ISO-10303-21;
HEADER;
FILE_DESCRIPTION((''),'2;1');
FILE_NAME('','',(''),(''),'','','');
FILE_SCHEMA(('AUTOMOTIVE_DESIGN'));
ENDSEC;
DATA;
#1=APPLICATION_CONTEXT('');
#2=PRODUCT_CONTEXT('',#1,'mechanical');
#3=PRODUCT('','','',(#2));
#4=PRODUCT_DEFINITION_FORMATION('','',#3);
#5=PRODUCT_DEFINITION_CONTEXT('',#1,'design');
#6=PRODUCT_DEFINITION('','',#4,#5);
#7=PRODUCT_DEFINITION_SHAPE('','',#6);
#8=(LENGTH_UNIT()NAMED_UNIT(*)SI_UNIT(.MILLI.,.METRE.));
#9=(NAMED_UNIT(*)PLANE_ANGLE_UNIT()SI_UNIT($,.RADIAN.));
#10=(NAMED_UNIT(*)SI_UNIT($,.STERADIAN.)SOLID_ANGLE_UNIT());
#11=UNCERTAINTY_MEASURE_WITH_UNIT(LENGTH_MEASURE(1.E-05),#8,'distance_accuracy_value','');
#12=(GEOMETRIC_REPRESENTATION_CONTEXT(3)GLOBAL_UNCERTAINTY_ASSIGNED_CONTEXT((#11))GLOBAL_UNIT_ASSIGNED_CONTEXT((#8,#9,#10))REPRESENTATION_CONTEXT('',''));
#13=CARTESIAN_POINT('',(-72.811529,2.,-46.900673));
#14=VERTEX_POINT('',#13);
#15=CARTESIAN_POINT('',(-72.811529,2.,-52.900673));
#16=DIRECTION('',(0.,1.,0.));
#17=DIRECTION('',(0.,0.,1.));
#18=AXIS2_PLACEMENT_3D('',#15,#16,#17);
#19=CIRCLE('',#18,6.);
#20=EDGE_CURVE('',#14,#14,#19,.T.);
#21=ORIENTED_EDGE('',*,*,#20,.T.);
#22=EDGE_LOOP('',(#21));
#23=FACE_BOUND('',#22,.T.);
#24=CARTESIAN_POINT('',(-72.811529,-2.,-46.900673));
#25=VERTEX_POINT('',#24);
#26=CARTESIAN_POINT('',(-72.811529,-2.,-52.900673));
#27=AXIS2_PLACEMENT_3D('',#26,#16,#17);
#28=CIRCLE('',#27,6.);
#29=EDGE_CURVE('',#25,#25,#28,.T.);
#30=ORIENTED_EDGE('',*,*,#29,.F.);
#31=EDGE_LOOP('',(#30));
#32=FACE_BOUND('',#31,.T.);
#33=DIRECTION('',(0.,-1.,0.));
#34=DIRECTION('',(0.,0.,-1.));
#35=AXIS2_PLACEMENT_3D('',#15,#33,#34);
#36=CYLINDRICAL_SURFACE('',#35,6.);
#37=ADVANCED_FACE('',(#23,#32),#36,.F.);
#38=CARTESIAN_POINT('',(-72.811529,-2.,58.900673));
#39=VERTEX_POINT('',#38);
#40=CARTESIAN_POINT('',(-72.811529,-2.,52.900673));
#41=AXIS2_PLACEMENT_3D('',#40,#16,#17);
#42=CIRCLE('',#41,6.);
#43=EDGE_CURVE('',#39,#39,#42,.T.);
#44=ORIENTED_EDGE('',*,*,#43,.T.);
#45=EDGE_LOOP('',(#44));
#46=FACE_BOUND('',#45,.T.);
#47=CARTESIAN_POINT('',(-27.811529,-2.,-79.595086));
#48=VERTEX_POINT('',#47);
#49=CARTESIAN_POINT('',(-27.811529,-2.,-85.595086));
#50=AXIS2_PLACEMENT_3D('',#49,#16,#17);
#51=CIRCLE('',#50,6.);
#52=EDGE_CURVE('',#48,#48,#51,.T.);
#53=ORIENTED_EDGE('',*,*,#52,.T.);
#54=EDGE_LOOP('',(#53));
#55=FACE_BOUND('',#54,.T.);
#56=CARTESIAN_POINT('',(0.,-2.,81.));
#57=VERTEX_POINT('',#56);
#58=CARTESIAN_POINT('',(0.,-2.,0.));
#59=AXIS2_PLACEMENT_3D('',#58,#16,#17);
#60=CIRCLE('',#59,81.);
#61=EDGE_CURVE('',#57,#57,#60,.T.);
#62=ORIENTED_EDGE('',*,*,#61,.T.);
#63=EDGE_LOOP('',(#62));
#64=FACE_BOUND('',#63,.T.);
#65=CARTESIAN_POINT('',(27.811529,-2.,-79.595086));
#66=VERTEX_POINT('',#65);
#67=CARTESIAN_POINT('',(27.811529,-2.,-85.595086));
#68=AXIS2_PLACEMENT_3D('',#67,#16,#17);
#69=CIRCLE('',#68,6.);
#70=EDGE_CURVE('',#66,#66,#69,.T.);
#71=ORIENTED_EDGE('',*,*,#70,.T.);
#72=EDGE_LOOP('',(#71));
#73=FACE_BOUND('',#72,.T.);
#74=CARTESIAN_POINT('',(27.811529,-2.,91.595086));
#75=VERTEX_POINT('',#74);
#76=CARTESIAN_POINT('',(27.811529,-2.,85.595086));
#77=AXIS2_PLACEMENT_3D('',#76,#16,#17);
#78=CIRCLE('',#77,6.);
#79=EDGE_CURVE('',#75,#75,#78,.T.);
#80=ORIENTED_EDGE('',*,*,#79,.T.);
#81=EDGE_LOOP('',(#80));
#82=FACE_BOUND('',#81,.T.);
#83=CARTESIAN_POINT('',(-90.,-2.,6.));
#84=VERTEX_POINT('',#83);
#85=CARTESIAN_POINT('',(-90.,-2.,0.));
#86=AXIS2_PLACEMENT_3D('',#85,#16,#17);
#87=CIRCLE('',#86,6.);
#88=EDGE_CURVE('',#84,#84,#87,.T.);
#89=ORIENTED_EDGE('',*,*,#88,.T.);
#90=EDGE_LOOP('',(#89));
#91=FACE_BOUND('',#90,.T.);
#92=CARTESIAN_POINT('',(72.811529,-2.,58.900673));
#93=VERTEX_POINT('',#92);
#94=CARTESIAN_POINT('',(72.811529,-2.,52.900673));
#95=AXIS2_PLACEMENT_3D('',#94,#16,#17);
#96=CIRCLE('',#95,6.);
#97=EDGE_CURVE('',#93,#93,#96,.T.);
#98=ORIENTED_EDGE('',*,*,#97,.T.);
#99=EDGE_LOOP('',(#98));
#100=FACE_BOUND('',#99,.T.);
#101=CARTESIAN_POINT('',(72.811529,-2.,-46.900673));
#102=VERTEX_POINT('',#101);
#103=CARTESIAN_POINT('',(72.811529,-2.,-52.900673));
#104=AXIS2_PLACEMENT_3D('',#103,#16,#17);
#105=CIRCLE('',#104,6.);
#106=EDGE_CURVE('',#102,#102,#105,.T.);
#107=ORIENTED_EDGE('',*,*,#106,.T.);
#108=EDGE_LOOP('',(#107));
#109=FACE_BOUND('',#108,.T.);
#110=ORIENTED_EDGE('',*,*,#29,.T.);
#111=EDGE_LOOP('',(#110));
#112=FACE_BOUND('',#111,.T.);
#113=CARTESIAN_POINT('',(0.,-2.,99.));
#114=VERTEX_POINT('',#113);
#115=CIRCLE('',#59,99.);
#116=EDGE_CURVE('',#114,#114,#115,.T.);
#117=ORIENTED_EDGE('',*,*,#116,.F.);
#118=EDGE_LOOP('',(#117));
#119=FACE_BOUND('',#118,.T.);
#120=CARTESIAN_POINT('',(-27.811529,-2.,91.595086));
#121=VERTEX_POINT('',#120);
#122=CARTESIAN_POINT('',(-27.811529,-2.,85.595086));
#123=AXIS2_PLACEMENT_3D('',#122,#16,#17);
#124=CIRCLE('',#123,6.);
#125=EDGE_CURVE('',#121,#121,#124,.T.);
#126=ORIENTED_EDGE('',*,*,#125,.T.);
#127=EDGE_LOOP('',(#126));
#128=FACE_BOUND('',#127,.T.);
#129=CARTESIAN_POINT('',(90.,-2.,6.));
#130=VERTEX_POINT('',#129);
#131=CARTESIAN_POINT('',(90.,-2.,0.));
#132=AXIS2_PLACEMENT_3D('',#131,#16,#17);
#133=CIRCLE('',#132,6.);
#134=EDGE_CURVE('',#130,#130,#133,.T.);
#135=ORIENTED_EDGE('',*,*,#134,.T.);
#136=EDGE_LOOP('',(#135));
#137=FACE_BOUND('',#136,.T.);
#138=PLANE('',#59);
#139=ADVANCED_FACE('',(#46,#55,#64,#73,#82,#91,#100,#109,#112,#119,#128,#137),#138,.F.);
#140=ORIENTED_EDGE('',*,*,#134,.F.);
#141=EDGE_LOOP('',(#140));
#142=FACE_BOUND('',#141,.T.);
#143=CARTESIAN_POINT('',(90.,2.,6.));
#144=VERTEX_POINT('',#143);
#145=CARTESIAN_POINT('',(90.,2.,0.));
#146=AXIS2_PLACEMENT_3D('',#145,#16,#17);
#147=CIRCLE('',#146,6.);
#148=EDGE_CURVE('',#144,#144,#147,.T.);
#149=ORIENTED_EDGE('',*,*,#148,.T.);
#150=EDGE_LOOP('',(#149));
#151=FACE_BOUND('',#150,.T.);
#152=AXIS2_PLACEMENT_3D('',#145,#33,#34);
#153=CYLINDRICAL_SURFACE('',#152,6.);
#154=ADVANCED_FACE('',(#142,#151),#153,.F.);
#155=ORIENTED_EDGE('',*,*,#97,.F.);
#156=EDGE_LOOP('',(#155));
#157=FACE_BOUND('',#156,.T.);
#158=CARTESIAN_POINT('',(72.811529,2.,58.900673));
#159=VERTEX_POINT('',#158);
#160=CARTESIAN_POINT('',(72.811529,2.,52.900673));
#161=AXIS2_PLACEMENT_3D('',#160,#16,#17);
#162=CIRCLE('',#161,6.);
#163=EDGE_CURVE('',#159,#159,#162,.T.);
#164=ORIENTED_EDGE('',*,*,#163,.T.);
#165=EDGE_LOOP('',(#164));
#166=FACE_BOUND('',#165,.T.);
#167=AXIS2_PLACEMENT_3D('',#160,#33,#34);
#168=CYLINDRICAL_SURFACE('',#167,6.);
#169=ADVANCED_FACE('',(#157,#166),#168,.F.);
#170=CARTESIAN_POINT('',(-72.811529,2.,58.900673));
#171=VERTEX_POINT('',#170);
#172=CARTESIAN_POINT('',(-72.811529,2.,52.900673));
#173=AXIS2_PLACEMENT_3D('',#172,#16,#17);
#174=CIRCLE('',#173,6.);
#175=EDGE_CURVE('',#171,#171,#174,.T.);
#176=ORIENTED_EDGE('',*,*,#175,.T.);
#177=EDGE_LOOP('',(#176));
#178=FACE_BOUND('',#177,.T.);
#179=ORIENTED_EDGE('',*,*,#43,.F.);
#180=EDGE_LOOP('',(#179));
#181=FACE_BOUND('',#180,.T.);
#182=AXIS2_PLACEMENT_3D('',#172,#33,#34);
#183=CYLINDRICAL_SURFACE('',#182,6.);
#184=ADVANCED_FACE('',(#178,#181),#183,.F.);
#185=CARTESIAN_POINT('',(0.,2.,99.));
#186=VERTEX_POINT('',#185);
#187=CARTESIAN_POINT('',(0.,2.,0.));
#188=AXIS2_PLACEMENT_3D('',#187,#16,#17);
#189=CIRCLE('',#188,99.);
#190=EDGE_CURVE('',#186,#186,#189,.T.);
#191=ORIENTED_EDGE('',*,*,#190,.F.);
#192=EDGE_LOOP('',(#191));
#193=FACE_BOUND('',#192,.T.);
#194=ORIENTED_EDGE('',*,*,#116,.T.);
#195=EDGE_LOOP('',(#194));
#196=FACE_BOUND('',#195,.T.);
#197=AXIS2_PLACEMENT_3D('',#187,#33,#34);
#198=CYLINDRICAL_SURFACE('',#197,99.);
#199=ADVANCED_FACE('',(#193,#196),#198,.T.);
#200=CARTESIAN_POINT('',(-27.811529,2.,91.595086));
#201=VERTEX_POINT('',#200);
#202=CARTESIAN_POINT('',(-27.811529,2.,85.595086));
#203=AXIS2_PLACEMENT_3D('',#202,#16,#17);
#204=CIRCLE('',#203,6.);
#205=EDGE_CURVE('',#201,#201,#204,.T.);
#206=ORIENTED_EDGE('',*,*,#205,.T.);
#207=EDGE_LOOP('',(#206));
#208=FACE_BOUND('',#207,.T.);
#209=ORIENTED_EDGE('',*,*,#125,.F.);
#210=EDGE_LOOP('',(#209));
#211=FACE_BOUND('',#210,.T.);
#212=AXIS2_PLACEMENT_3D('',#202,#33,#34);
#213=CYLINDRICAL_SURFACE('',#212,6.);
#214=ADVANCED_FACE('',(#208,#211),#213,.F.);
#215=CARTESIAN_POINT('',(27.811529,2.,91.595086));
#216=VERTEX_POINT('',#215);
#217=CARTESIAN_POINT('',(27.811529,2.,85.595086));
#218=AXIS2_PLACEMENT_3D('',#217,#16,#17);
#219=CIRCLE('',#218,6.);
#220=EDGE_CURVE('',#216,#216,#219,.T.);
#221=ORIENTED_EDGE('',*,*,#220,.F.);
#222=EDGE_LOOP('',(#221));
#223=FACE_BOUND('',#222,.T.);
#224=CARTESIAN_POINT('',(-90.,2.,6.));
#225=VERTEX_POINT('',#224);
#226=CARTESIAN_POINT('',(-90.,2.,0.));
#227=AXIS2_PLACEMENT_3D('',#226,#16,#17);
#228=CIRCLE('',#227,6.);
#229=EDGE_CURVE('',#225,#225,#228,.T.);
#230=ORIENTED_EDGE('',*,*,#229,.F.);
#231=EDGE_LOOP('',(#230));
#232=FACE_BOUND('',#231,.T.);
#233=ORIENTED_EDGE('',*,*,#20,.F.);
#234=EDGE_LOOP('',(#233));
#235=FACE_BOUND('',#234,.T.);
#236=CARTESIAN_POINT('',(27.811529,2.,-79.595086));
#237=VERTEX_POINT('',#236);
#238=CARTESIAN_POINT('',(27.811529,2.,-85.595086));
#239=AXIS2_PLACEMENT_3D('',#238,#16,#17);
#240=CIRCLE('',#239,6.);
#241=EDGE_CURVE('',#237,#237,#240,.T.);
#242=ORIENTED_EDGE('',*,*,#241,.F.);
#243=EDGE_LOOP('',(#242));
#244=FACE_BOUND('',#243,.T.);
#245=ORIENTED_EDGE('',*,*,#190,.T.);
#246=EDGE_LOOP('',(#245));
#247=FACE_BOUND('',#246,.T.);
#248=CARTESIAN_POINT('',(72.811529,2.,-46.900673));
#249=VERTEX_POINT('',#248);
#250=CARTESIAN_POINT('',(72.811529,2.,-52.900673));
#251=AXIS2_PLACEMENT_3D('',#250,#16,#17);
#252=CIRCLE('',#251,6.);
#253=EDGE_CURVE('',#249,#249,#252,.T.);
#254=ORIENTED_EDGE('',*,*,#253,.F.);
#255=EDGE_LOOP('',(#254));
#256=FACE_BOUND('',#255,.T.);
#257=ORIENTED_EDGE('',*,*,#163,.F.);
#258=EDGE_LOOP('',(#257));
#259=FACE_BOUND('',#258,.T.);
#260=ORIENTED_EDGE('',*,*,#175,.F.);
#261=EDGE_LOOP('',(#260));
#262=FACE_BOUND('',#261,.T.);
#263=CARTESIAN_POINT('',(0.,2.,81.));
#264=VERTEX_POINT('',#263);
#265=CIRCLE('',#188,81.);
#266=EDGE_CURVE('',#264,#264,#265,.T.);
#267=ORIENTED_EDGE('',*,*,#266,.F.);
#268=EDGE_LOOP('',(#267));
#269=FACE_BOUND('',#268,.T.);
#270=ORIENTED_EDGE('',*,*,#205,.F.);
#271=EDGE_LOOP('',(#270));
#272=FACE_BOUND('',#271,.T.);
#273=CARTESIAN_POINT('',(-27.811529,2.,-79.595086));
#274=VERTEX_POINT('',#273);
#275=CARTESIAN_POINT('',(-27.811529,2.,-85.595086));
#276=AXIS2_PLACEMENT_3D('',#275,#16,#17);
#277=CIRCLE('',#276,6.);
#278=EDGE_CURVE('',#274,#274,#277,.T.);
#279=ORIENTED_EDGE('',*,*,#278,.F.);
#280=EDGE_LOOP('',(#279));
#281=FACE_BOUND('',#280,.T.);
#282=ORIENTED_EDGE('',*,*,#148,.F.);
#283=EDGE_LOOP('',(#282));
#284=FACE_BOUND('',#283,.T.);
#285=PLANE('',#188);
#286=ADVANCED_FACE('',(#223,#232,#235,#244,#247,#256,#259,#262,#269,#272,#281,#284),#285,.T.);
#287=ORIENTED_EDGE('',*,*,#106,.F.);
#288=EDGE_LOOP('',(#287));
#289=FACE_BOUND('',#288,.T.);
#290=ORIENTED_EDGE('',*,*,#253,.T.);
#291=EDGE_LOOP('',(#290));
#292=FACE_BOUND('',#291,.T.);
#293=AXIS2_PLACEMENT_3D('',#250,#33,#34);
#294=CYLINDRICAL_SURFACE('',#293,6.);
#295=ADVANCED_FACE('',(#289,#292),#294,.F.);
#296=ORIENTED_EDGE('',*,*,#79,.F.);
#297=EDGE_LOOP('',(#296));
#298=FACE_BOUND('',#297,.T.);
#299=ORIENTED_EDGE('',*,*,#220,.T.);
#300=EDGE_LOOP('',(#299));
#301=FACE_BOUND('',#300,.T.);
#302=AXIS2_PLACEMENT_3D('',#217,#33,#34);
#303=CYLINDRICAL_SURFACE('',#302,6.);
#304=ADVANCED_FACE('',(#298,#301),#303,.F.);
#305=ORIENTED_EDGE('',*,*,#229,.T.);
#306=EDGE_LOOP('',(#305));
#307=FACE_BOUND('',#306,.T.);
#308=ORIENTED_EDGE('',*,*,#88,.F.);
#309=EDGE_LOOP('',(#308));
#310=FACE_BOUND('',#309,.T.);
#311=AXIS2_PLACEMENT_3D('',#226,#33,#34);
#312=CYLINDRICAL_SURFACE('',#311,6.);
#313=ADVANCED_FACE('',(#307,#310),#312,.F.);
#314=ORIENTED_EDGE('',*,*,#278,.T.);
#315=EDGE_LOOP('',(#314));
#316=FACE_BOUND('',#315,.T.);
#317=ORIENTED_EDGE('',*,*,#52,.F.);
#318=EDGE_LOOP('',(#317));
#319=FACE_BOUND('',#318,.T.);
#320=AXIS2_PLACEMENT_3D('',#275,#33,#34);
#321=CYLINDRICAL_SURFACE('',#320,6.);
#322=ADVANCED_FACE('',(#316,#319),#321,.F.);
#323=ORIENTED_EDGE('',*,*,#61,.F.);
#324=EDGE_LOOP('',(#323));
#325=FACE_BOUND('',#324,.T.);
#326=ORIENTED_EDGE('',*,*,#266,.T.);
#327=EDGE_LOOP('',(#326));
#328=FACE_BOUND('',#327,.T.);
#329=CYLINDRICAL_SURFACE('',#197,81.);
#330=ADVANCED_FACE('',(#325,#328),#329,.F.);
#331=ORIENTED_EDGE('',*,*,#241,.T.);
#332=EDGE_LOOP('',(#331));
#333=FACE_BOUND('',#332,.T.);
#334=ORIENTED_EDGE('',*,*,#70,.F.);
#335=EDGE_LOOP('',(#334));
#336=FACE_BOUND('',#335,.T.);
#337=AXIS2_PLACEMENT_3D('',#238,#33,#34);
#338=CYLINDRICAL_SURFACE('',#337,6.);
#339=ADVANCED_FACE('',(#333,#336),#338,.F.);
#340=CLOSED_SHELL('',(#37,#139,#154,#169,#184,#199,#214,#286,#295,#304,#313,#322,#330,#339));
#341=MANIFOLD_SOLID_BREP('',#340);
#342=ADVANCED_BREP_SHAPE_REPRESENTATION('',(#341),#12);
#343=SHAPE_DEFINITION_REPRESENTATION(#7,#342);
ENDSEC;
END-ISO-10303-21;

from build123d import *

# Parameters (mm, degrees)
SKETCH1_R           = 99
SKETCH1_R_2         = 6
SKETCH1_R_3         = 81
BOSS_EXTRUDE1_DEPTH = 2


with BuildPart() as part:
    # Sketch1 → Boss-Extrude1 (new, symmetric)
    with BuildSketch(Plane(origin=(0, 0, 0), x_dir=(1, 0, 0), z_dir=(0, 1, 0))):
        Circle(SKETCH1_R)
        with Locations((90, 0)):
            Circle(SKETCH1_R_2, mode=Mode.SUBTRACT)
        with Locations((72.811529494, -52.900672706)):
            Circle(SKETCH1_R_2, mode=Mode.SUBTRACT)
        with Locations((27.811529494, -85.595086467)):
            Circle(SKETCH1_R_2, mode=Mode.SUBTRACT)
        with Locations((-27.811529494, -85.595086467)):
            Circle(SKETCH1_R_2, mode=Mode.SUBTRACT)
        with Locations((-72.811529494, -52.900672706)):
            Circle(SKETCH1_R_2, mode=Mode.SUBTRACT)
        with Locations((-90, 0)):
            Circle(SKETCH1_R_2, mode=Mode.SUBTRACT)
        with Locations((-72.811529494, 52.900672706)):
            Circle(SKETCH1_R_2, mode=Mode.SUBTRACT)
        with Locations((-27.811529494, 85.595086467)):
            Circle(SKETCH1_R_2, mode=Mode.SUBTRACT)
        with Locations((27.811529494, 85.595086467)):
            Circle(SKETCH1_R_2, mode=Mode.SUBTRACT)
        with Locations((72.811529494, 52.900672706)):
            Circle(SKETCH1_R_2, mode=Mode.SUBTRACT)
        Circle(SKETCH1_R_3, mode=Mode.SUBTRACT)
    extrude(amount=BOSS_EXTRUDE1_DEPTH, both=True)


solid = part.part
